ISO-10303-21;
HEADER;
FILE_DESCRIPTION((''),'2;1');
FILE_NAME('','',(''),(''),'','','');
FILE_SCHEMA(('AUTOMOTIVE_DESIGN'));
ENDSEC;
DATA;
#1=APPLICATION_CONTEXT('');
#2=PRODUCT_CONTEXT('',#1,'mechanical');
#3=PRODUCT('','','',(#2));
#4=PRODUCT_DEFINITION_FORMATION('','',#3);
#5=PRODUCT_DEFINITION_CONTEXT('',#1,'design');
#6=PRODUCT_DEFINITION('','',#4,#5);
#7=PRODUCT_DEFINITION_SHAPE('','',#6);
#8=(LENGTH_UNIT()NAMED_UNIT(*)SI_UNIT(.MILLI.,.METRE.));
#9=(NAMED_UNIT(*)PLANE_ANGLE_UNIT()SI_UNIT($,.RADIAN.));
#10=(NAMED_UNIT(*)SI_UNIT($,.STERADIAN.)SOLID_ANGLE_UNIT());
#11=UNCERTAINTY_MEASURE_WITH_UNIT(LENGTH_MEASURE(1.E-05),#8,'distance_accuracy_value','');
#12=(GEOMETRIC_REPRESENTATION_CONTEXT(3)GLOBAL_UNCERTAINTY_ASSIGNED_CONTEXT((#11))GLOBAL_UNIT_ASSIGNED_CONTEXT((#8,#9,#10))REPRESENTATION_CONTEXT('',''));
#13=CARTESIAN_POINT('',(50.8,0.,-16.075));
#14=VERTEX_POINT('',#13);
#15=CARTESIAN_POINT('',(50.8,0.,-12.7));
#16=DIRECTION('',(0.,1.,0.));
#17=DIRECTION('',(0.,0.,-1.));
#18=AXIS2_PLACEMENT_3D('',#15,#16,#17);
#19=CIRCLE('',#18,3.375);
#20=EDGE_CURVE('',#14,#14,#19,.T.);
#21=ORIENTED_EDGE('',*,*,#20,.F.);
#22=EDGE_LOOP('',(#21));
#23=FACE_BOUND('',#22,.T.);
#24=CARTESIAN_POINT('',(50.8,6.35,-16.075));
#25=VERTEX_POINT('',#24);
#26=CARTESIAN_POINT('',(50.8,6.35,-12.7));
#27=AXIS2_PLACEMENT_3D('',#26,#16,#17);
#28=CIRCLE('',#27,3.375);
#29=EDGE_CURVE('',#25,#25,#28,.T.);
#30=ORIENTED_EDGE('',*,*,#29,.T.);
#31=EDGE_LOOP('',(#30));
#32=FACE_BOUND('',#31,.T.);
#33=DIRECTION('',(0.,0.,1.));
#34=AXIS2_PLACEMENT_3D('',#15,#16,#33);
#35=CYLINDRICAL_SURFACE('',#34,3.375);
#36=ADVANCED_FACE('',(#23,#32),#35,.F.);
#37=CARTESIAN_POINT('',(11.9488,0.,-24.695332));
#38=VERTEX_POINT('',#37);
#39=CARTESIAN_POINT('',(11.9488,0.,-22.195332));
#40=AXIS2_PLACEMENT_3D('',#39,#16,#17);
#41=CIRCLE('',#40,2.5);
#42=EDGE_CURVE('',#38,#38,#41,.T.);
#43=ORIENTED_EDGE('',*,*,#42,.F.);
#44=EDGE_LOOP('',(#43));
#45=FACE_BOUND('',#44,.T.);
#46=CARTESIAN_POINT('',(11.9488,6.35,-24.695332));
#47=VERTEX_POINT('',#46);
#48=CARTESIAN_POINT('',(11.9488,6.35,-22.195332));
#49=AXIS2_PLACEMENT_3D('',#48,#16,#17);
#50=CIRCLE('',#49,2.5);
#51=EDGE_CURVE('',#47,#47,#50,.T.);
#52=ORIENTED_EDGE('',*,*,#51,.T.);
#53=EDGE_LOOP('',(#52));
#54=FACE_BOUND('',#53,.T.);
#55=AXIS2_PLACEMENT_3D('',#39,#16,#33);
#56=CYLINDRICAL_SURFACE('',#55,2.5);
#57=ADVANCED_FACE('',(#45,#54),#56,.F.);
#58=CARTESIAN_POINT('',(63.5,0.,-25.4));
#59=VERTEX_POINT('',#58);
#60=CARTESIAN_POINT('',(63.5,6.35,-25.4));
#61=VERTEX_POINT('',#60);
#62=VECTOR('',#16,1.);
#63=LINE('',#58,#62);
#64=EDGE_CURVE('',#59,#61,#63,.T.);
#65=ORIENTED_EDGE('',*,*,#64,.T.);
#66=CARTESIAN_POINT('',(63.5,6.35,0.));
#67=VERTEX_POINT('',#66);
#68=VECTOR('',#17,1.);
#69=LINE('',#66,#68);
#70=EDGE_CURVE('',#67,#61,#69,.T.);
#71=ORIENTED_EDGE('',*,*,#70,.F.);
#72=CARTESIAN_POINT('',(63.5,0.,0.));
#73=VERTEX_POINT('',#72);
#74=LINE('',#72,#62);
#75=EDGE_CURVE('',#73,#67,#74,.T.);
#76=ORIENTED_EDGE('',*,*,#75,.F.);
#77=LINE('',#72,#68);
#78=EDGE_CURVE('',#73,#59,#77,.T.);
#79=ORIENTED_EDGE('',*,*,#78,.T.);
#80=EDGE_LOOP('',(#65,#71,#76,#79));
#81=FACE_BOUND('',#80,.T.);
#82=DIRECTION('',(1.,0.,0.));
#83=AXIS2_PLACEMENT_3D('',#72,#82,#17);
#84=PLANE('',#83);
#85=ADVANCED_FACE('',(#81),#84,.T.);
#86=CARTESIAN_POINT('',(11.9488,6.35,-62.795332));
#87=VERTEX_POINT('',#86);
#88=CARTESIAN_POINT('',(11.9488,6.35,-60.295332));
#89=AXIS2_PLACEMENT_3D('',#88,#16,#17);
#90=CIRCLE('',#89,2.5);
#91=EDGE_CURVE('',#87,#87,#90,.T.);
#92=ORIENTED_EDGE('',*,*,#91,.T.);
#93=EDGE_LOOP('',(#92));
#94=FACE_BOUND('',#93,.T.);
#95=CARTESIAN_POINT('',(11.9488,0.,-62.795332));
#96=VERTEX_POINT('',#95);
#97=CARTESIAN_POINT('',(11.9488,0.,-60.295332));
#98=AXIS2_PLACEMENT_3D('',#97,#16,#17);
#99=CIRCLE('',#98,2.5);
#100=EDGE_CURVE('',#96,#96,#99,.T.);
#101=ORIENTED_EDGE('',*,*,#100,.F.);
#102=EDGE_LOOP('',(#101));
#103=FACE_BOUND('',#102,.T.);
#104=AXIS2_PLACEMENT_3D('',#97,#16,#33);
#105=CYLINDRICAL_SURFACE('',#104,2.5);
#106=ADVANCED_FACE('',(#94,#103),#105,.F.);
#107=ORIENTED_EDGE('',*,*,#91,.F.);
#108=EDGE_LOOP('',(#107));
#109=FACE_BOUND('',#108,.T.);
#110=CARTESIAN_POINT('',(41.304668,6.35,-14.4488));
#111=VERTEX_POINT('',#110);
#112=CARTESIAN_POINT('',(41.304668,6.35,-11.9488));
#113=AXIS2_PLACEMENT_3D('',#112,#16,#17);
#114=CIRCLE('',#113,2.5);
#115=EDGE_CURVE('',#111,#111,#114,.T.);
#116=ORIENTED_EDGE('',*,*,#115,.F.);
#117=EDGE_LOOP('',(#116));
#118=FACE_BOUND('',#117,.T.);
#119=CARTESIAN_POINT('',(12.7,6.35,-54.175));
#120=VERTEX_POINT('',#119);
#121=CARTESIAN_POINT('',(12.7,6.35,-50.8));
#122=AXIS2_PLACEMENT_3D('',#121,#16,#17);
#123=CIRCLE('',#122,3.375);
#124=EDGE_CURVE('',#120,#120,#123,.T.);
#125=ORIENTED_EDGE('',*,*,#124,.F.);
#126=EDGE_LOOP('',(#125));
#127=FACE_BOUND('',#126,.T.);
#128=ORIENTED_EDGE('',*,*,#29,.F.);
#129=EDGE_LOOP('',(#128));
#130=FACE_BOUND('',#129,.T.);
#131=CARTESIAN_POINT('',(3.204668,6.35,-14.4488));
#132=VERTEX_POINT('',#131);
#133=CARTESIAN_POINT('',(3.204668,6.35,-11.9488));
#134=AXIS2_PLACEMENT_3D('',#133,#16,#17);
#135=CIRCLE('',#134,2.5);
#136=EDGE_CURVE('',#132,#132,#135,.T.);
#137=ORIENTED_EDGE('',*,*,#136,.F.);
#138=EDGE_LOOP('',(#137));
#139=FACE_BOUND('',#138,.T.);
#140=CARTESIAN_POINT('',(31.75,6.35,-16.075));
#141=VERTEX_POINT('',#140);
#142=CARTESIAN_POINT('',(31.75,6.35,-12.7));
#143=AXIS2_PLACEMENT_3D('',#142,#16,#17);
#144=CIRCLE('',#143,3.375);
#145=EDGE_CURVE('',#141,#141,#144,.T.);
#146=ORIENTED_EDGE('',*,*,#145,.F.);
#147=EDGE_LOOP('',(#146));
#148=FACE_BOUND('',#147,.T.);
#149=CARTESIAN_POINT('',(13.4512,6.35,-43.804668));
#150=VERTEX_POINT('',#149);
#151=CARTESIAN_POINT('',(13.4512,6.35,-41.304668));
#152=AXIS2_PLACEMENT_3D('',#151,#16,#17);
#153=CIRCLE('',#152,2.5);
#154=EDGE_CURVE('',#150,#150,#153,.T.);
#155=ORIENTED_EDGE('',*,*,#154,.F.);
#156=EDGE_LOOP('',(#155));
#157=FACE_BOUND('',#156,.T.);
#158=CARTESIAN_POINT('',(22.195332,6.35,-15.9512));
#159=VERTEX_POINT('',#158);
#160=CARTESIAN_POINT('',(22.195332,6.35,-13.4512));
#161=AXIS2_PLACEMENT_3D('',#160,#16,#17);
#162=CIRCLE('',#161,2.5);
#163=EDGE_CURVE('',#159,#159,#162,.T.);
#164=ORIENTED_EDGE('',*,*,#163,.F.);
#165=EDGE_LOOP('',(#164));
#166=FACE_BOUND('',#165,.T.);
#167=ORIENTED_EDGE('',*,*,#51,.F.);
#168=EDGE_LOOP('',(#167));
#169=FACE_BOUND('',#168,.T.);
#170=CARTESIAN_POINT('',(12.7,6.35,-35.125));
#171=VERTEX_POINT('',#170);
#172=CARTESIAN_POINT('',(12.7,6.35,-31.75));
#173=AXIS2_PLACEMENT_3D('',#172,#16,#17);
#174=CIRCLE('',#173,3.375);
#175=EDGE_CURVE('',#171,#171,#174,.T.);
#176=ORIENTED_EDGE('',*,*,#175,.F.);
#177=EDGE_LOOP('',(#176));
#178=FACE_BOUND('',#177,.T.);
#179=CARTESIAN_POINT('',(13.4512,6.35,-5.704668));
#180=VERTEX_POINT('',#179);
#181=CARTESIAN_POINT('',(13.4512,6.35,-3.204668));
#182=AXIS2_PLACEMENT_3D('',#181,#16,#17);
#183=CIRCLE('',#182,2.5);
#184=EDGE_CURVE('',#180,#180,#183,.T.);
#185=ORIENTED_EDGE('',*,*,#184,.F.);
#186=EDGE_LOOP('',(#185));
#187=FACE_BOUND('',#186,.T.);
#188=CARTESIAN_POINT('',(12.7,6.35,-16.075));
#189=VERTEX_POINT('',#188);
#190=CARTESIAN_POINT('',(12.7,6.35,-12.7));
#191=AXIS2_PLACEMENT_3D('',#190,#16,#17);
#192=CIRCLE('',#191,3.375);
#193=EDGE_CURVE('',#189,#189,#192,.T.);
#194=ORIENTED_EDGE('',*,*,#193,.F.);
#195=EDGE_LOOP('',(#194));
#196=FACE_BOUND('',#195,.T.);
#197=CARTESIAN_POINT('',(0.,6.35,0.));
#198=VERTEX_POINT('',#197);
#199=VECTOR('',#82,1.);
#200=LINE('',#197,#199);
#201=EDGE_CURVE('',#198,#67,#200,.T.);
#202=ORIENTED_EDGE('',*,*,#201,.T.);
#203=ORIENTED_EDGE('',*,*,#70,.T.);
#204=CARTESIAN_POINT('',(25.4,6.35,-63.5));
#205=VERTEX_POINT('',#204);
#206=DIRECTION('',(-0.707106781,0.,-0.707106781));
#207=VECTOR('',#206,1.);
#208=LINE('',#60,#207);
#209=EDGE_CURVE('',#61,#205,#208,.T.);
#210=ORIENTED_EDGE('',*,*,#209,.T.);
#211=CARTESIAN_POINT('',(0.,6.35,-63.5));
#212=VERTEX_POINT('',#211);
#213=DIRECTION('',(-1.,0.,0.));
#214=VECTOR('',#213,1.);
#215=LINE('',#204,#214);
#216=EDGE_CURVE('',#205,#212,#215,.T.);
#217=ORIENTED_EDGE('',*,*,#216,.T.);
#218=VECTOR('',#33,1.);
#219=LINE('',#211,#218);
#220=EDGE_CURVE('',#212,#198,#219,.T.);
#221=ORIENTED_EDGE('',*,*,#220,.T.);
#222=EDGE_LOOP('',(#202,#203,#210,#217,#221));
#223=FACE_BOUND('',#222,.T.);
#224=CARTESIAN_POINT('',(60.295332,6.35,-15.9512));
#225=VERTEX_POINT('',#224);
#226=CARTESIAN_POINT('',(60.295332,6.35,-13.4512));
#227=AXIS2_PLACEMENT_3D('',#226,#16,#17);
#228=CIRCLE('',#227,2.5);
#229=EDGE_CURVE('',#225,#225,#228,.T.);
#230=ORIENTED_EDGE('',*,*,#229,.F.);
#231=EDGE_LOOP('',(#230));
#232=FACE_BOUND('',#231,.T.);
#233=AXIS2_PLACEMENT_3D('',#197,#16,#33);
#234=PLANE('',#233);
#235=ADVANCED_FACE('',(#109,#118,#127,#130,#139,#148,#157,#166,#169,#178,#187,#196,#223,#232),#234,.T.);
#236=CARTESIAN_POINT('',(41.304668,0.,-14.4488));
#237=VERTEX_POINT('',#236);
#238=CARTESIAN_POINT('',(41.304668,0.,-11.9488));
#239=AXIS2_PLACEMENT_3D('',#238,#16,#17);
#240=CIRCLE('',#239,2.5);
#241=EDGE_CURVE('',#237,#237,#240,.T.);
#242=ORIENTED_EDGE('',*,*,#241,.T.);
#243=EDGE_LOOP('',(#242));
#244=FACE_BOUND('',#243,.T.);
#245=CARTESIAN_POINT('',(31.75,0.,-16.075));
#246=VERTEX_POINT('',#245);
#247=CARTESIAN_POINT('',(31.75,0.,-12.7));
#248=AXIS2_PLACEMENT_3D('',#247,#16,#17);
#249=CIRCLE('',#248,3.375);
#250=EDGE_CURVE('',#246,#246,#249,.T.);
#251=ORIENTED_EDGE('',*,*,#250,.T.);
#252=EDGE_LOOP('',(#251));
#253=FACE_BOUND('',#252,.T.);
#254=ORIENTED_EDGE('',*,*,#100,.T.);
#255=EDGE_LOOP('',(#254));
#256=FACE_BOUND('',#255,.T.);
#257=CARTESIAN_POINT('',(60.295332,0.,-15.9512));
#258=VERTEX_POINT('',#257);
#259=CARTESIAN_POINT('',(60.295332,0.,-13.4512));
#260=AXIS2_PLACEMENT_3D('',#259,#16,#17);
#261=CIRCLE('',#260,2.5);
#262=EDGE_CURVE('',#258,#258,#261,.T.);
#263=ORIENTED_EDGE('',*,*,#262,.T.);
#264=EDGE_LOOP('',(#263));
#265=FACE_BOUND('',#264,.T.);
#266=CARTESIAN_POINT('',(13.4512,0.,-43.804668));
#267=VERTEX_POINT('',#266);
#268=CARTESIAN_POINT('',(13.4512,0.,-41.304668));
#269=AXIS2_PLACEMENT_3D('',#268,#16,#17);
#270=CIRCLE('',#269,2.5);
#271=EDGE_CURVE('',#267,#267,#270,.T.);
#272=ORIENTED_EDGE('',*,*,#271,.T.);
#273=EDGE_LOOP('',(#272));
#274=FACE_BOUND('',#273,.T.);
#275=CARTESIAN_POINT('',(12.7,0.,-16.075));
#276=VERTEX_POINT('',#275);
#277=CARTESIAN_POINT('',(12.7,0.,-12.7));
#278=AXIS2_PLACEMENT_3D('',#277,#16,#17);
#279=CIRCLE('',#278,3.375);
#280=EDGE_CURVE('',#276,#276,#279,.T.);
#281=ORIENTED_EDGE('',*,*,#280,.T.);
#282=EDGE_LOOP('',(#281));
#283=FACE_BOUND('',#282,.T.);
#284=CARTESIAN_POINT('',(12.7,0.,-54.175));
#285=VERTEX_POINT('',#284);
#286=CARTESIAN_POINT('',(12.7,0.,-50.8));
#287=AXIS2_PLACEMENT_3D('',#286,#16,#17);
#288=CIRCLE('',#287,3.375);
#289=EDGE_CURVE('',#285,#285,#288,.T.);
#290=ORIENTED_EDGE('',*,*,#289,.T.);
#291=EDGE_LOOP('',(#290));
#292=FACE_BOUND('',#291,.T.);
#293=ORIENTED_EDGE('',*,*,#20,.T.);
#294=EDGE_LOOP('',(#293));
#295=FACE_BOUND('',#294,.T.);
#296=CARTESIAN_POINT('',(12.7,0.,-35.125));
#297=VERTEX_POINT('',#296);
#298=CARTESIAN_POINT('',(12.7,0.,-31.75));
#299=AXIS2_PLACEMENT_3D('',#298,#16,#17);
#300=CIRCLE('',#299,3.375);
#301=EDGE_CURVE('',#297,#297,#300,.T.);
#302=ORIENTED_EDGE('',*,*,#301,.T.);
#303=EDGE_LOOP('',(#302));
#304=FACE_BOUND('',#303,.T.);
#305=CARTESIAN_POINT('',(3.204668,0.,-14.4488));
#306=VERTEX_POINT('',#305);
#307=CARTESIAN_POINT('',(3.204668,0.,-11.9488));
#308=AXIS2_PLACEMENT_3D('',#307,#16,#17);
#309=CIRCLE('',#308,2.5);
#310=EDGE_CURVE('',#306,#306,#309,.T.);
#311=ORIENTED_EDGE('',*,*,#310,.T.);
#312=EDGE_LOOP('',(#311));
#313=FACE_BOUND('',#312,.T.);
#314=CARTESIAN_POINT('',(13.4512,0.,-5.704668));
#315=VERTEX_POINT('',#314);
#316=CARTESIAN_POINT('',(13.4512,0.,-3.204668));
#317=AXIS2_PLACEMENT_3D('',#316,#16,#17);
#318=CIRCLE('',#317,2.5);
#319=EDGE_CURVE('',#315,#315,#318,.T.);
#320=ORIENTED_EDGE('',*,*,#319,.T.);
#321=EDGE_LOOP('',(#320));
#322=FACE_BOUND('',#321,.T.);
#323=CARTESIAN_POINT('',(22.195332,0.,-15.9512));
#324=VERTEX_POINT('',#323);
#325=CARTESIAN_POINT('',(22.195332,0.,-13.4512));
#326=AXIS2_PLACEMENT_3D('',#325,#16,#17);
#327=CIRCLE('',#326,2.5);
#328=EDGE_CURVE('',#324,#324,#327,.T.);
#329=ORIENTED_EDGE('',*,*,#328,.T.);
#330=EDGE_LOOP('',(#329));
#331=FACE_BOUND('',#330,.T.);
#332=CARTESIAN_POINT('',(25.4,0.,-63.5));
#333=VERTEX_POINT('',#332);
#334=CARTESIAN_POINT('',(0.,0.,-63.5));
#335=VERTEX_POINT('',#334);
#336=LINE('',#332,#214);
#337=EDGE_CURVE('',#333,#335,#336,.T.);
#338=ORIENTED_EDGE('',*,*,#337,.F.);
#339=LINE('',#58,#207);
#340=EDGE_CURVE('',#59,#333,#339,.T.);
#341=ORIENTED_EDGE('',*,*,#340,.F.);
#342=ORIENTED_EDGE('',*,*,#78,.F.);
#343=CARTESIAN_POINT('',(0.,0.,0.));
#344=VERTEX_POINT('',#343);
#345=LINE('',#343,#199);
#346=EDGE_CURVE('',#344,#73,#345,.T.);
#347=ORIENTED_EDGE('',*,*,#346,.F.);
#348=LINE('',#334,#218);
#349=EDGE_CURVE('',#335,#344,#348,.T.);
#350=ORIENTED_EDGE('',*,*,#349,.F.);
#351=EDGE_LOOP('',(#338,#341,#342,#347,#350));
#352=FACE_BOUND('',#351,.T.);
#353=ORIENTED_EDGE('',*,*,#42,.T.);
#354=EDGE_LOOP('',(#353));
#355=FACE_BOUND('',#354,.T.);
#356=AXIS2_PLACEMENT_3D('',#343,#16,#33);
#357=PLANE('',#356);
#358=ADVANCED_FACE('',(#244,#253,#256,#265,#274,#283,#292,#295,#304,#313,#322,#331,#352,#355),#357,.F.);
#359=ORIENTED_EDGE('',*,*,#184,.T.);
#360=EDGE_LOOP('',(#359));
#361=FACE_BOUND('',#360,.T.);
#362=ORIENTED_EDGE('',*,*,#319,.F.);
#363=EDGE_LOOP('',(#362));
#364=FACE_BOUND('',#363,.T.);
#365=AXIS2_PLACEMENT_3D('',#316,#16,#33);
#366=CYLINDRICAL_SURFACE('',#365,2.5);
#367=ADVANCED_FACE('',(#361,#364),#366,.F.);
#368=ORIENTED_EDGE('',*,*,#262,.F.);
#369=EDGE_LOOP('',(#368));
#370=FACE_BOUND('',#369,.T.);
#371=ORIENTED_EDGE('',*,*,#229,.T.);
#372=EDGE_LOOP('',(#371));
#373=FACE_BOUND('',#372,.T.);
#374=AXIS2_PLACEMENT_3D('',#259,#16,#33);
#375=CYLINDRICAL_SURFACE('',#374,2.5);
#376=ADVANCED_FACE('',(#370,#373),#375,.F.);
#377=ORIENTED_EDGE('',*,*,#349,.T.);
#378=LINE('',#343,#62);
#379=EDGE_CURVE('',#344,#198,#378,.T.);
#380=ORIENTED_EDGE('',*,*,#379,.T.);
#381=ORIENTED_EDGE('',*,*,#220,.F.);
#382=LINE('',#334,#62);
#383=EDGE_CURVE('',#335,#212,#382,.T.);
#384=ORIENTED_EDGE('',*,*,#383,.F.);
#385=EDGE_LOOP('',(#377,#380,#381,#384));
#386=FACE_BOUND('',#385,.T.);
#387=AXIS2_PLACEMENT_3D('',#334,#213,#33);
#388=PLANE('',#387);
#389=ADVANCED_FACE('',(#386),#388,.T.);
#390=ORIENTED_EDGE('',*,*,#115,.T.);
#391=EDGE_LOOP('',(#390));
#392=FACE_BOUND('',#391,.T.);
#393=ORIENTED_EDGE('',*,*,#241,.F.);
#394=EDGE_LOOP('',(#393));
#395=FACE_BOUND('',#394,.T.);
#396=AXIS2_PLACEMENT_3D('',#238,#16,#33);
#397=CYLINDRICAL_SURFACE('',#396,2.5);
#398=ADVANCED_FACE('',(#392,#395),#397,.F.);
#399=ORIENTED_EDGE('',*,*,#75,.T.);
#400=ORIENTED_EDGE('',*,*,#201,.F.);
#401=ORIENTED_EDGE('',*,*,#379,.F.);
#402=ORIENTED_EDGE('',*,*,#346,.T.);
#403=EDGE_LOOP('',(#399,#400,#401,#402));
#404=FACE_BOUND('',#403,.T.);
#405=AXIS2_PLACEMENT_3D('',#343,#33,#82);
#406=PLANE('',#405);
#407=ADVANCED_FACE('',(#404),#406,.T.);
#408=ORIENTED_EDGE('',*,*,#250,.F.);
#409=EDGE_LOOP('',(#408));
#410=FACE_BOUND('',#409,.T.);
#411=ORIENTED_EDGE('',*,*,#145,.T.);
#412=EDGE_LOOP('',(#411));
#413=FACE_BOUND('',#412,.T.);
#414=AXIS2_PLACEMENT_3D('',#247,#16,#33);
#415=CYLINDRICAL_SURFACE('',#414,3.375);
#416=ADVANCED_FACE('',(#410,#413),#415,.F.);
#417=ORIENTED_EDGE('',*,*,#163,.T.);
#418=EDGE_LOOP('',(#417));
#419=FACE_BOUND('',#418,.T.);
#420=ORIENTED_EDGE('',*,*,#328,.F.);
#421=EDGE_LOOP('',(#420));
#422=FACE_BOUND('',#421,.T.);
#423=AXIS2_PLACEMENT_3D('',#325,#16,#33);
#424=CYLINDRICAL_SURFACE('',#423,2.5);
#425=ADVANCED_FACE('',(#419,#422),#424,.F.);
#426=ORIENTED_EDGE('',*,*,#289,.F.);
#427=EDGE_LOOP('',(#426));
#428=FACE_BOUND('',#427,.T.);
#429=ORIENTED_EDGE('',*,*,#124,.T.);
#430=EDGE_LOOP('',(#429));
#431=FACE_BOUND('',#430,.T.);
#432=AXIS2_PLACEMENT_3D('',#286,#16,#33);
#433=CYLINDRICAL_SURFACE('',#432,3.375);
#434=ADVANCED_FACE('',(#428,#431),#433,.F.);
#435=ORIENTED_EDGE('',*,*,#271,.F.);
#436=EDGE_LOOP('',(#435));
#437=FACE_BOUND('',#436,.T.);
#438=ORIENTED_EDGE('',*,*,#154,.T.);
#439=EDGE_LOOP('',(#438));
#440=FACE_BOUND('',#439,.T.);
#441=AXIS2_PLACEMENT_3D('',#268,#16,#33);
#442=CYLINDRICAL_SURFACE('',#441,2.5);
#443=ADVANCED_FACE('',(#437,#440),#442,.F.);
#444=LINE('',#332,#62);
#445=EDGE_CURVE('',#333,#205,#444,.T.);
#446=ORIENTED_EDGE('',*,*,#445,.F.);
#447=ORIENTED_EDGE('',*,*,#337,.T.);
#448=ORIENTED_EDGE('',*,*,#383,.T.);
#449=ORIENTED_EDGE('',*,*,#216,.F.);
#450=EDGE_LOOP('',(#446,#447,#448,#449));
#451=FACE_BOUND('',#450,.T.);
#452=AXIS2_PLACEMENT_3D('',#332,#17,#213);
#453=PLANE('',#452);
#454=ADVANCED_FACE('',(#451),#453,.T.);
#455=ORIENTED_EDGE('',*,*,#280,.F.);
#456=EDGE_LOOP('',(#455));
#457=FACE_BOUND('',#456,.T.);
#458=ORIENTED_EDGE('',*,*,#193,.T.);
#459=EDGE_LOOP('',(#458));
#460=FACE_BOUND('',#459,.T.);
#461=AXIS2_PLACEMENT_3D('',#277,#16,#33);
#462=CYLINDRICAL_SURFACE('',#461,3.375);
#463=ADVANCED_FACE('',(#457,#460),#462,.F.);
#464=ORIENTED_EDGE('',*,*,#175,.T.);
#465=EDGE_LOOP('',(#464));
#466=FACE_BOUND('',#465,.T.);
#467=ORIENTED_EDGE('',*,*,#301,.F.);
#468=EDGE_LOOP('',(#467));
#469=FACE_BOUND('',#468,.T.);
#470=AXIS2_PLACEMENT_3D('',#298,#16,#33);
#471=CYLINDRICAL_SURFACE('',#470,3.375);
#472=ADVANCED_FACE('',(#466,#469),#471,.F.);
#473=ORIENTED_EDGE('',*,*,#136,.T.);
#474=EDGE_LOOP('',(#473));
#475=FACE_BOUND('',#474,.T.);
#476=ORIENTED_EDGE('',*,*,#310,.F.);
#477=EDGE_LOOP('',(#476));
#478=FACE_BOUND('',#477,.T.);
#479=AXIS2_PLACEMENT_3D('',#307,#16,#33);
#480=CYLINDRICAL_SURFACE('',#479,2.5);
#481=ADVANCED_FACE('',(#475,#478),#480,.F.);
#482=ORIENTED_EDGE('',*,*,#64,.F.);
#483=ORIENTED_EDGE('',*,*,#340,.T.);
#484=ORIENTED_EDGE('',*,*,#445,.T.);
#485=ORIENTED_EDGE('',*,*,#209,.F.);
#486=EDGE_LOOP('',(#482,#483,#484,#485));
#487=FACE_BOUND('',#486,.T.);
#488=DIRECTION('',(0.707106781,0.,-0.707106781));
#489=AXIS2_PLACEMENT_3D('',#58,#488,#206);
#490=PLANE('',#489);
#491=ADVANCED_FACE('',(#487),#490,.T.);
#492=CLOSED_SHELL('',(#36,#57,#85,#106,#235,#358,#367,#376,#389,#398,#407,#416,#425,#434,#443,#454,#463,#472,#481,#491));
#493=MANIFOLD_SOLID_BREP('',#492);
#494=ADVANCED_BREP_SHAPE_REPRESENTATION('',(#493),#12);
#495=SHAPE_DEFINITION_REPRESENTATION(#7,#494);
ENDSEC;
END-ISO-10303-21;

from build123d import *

# Parameters (mm, degrees)
SKETCH1_R           = 2.5
SKETCH1_R_2         = 3.375
BOSS_EXTRUDE1_DEPTH = 6.35


with BuildPart() as part:
    # Sketch1 → Boss-Extrude1 (new body)
    with BuildSketch(Plane(origin=(0, 6.35, 0), x_dir=(1, 0, 0), z_dir=(0, 1, 0))):
        Polygon((25.4, 63.5), (0, 63.5), (0, 0), (63.5, 0), (63.5, 25.4), align=None)
        with Locations(Location((13.4512, 41.304668328, 0), (0, 0, 90))):
            Circle(SKETCH1_R, mode=Mode.SUBTRACT)
        with Locations(Location((11.9488, 60.295331672, 0), (0, 0, 90))):
            Circle(SKETCH1_R, mode=Mode.SUBTRACT)
        with Locations(Location((11.9488, 22.195331672, 0), (0, 0, 90))):
            Circle(SKETCH1_R, mode=Mode.SUBTRACT)
        with Locations(Location((13.4512, 3.204668328, 0), (0, 0, 90))):
            Circle(SKETCH1_R, mode=Mode.SUBTRACT)
        with Locations(Location((22.195331672, 13.4512, 0), (0, 0, 90))):
            Circle(SKETCH1_R, mode=Mode.SUBTRACT)
        with Locations(Location((3.204668328, 11.9488, 0), (0, 0, 90))):
            Circle(SKETCH1_R, mode=Mode.SUBTRACT)
        with Locations(Location((41.304668328, 11.9488, 0), (0, 0, 90))):
            Circle(SKETCH1_R, mode=Mode.SUBTRACT)
        with Locations(Location((60.295331672, 13.4512, 0), (0, 0, 90))):
            Circle(SKETCH1_R, mode=Mode.SUBTRACT)
        with Locations(Location((12.7, 50.8, 0), (0, 0, 90))):
            Circle(SKETCH1_R_2, mode=Mode.SUBTRACT)
        with Locations(Location((12.7, 31.75, 0), (0, 0, 90))):
            Circle(SKETCH1_R_2, mode=Mode.SUBTRACT)
        with Locations(Location((50.8, 12.7, 0), (0, 0, 90))):
            Circle(SKETCH1_R_2, mode=Mode.SUBTRACT)
        with Locations(Location((31.75, 12.7, 0), (0, 0, 90))):
            Circle(SKETCH1_R_2, mode=Mode.SUBTRACT)
        with Locations(Location((12.7, 12.7, 0), (0, 0, 90))):
            Circle(SKETCH1_R_2, mode=Mode.SUBTRACT)
    extrude(amount=-BOSS_EXTRUDE1_DEPTH)


solid = part.part
